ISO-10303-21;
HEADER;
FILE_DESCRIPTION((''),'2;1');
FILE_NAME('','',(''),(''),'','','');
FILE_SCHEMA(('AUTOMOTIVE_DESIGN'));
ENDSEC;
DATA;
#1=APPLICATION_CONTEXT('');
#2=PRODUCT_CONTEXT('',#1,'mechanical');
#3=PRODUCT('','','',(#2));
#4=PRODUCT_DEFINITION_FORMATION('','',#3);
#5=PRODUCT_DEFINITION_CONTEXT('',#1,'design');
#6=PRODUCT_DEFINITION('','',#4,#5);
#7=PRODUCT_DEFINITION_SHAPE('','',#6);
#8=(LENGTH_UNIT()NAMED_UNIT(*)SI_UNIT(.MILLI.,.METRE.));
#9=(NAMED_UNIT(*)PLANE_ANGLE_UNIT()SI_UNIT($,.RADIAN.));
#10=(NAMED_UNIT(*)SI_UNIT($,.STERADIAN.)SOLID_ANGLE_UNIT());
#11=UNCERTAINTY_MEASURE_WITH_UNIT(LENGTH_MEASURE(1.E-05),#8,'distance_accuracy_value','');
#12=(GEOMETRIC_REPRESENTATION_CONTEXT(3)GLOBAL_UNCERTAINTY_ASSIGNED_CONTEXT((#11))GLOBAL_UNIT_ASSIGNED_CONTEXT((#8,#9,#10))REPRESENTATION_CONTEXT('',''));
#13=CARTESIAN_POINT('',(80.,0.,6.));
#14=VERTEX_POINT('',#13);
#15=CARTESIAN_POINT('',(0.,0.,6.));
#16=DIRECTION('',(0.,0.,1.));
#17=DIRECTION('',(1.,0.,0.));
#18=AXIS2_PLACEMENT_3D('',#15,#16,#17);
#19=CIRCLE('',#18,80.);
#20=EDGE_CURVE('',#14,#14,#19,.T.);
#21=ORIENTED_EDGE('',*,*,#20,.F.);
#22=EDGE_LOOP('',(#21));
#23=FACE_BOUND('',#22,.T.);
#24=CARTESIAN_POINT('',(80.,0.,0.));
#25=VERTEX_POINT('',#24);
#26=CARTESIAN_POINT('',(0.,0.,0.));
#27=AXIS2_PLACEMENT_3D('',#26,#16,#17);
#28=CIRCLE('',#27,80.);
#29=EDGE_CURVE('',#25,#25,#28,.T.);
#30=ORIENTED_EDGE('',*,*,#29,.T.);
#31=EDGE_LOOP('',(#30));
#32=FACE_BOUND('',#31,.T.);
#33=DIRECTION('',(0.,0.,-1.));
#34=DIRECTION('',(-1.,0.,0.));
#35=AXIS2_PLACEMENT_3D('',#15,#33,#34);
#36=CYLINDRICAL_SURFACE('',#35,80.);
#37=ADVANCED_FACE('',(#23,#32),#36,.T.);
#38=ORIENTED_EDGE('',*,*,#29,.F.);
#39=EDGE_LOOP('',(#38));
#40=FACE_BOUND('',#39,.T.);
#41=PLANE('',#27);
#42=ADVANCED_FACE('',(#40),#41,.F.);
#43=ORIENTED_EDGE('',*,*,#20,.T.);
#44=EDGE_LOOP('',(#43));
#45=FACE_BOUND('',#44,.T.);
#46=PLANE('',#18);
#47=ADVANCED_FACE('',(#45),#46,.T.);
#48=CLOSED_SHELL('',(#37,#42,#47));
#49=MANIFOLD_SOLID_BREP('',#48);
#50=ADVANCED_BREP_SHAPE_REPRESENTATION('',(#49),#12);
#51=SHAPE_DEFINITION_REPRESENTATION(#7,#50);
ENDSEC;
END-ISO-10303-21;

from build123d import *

# Parameters (mm, degrees)
ESQUISSE1_R        = 80
BOSS_EXTRU_1_DEPTH = 6


with BuildPart() as part:
    # Esquisse1 → Boss.-Extru.1 (new body)
    with BuildSketch(Plane.XY):
        Circle(ESQUISSE1_R)
    extrude(amount=BOSS_EXTRU_1_DEPTH)


solid = part.part
